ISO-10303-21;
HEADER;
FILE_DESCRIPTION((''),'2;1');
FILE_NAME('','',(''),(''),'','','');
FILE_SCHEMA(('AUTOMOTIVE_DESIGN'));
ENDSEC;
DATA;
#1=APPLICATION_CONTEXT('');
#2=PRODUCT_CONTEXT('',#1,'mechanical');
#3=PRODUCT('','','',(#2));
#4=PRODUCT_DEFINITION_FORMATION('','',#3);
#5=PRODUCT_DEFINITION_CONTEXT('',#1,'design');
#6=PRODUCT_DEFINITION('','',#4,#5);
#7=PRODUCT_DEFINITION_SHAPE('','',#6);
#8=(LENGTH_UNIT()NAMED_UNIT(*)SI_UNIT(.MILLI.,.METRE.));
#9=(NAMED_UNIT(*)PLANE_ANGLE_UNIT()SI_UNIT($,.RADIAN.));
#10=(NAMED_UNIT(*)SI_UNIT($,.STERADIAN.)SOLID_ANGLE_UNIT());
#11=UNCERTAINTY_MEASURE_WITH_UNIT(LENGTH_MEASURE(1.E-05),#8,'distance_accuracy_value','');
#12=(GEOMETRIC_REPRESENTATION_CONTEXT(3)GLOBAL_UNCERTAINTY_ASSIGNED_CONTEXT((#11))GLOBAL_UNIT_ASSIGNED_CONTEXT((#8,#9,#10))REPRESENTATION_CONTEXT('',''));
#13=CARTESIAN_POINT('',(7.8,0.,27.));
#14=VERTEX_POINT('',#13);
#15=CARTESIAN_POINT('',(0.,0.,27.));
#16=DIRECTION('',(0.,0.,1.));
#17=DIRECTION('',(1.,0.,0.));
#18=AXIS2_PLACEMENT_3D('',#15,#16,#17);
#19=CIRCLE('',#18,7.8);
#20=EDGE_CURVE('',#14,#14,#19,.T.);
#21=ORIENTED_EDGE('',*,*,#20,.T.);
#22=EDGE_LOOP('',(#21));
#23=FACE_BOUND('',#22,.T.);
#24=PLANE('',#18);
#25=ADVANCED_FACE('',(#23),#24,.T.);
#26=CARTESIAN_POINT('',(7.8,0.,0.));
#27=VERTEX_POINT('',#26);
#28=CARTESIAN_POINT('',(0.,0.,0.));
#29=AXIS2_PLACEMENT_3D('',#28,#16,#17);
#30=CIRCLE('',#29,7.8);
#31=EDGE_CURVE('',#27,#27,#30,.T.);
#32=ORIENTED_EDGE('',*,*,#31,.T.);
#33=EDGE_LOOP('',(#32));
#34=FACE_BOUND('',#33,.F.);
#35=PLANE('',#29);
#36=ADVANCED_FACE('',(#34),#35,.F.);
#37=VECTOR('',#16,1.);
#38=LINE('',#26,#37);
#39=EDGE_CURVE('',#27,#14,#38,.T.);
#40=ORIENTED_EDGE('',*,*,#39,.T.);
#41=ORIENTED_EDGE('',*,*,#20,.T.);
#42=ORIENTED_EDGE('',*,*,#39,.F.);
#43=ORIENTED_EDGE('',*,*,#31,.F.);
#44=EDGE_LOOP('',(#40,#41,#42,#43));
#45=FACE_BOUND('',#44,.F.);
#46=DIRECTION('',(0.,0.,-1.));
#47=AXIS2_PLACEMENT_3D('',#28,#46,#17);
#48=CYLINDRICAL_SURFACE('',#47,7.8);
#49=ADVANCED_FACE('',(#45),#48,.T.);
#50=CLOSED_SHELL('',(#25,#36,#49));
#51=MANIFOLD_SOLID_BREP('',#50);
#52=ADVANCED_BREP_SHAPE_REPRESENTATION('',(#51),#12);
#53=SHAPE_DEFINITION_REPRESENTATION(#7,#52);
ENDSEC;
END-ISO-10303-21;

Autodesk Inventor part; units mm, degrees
ref_plane "YZ Plane" through (0, 0, 0) normal (1, 0, 0) x (0, 1, 0)
ref_plane "XZ Plane" through (0, 0, 0) normal (0, 1, 0) x (-1, 0, 0)
ref_plane "XY Plane" through (0, 0, 0) normal (0, 0, 1) x (1, 0, 0)
sketch "スケッチ1" plane through (0, 0, 0) normal (0, 0, 1) x (1, 0, 0)
  circle A0 centre (0, 0) radius 7.8
  dimension "d0" = 15.6
extrude "押し出し1" add sketch "スケッチ1" along normal blind 27
properties part number "CR2"
